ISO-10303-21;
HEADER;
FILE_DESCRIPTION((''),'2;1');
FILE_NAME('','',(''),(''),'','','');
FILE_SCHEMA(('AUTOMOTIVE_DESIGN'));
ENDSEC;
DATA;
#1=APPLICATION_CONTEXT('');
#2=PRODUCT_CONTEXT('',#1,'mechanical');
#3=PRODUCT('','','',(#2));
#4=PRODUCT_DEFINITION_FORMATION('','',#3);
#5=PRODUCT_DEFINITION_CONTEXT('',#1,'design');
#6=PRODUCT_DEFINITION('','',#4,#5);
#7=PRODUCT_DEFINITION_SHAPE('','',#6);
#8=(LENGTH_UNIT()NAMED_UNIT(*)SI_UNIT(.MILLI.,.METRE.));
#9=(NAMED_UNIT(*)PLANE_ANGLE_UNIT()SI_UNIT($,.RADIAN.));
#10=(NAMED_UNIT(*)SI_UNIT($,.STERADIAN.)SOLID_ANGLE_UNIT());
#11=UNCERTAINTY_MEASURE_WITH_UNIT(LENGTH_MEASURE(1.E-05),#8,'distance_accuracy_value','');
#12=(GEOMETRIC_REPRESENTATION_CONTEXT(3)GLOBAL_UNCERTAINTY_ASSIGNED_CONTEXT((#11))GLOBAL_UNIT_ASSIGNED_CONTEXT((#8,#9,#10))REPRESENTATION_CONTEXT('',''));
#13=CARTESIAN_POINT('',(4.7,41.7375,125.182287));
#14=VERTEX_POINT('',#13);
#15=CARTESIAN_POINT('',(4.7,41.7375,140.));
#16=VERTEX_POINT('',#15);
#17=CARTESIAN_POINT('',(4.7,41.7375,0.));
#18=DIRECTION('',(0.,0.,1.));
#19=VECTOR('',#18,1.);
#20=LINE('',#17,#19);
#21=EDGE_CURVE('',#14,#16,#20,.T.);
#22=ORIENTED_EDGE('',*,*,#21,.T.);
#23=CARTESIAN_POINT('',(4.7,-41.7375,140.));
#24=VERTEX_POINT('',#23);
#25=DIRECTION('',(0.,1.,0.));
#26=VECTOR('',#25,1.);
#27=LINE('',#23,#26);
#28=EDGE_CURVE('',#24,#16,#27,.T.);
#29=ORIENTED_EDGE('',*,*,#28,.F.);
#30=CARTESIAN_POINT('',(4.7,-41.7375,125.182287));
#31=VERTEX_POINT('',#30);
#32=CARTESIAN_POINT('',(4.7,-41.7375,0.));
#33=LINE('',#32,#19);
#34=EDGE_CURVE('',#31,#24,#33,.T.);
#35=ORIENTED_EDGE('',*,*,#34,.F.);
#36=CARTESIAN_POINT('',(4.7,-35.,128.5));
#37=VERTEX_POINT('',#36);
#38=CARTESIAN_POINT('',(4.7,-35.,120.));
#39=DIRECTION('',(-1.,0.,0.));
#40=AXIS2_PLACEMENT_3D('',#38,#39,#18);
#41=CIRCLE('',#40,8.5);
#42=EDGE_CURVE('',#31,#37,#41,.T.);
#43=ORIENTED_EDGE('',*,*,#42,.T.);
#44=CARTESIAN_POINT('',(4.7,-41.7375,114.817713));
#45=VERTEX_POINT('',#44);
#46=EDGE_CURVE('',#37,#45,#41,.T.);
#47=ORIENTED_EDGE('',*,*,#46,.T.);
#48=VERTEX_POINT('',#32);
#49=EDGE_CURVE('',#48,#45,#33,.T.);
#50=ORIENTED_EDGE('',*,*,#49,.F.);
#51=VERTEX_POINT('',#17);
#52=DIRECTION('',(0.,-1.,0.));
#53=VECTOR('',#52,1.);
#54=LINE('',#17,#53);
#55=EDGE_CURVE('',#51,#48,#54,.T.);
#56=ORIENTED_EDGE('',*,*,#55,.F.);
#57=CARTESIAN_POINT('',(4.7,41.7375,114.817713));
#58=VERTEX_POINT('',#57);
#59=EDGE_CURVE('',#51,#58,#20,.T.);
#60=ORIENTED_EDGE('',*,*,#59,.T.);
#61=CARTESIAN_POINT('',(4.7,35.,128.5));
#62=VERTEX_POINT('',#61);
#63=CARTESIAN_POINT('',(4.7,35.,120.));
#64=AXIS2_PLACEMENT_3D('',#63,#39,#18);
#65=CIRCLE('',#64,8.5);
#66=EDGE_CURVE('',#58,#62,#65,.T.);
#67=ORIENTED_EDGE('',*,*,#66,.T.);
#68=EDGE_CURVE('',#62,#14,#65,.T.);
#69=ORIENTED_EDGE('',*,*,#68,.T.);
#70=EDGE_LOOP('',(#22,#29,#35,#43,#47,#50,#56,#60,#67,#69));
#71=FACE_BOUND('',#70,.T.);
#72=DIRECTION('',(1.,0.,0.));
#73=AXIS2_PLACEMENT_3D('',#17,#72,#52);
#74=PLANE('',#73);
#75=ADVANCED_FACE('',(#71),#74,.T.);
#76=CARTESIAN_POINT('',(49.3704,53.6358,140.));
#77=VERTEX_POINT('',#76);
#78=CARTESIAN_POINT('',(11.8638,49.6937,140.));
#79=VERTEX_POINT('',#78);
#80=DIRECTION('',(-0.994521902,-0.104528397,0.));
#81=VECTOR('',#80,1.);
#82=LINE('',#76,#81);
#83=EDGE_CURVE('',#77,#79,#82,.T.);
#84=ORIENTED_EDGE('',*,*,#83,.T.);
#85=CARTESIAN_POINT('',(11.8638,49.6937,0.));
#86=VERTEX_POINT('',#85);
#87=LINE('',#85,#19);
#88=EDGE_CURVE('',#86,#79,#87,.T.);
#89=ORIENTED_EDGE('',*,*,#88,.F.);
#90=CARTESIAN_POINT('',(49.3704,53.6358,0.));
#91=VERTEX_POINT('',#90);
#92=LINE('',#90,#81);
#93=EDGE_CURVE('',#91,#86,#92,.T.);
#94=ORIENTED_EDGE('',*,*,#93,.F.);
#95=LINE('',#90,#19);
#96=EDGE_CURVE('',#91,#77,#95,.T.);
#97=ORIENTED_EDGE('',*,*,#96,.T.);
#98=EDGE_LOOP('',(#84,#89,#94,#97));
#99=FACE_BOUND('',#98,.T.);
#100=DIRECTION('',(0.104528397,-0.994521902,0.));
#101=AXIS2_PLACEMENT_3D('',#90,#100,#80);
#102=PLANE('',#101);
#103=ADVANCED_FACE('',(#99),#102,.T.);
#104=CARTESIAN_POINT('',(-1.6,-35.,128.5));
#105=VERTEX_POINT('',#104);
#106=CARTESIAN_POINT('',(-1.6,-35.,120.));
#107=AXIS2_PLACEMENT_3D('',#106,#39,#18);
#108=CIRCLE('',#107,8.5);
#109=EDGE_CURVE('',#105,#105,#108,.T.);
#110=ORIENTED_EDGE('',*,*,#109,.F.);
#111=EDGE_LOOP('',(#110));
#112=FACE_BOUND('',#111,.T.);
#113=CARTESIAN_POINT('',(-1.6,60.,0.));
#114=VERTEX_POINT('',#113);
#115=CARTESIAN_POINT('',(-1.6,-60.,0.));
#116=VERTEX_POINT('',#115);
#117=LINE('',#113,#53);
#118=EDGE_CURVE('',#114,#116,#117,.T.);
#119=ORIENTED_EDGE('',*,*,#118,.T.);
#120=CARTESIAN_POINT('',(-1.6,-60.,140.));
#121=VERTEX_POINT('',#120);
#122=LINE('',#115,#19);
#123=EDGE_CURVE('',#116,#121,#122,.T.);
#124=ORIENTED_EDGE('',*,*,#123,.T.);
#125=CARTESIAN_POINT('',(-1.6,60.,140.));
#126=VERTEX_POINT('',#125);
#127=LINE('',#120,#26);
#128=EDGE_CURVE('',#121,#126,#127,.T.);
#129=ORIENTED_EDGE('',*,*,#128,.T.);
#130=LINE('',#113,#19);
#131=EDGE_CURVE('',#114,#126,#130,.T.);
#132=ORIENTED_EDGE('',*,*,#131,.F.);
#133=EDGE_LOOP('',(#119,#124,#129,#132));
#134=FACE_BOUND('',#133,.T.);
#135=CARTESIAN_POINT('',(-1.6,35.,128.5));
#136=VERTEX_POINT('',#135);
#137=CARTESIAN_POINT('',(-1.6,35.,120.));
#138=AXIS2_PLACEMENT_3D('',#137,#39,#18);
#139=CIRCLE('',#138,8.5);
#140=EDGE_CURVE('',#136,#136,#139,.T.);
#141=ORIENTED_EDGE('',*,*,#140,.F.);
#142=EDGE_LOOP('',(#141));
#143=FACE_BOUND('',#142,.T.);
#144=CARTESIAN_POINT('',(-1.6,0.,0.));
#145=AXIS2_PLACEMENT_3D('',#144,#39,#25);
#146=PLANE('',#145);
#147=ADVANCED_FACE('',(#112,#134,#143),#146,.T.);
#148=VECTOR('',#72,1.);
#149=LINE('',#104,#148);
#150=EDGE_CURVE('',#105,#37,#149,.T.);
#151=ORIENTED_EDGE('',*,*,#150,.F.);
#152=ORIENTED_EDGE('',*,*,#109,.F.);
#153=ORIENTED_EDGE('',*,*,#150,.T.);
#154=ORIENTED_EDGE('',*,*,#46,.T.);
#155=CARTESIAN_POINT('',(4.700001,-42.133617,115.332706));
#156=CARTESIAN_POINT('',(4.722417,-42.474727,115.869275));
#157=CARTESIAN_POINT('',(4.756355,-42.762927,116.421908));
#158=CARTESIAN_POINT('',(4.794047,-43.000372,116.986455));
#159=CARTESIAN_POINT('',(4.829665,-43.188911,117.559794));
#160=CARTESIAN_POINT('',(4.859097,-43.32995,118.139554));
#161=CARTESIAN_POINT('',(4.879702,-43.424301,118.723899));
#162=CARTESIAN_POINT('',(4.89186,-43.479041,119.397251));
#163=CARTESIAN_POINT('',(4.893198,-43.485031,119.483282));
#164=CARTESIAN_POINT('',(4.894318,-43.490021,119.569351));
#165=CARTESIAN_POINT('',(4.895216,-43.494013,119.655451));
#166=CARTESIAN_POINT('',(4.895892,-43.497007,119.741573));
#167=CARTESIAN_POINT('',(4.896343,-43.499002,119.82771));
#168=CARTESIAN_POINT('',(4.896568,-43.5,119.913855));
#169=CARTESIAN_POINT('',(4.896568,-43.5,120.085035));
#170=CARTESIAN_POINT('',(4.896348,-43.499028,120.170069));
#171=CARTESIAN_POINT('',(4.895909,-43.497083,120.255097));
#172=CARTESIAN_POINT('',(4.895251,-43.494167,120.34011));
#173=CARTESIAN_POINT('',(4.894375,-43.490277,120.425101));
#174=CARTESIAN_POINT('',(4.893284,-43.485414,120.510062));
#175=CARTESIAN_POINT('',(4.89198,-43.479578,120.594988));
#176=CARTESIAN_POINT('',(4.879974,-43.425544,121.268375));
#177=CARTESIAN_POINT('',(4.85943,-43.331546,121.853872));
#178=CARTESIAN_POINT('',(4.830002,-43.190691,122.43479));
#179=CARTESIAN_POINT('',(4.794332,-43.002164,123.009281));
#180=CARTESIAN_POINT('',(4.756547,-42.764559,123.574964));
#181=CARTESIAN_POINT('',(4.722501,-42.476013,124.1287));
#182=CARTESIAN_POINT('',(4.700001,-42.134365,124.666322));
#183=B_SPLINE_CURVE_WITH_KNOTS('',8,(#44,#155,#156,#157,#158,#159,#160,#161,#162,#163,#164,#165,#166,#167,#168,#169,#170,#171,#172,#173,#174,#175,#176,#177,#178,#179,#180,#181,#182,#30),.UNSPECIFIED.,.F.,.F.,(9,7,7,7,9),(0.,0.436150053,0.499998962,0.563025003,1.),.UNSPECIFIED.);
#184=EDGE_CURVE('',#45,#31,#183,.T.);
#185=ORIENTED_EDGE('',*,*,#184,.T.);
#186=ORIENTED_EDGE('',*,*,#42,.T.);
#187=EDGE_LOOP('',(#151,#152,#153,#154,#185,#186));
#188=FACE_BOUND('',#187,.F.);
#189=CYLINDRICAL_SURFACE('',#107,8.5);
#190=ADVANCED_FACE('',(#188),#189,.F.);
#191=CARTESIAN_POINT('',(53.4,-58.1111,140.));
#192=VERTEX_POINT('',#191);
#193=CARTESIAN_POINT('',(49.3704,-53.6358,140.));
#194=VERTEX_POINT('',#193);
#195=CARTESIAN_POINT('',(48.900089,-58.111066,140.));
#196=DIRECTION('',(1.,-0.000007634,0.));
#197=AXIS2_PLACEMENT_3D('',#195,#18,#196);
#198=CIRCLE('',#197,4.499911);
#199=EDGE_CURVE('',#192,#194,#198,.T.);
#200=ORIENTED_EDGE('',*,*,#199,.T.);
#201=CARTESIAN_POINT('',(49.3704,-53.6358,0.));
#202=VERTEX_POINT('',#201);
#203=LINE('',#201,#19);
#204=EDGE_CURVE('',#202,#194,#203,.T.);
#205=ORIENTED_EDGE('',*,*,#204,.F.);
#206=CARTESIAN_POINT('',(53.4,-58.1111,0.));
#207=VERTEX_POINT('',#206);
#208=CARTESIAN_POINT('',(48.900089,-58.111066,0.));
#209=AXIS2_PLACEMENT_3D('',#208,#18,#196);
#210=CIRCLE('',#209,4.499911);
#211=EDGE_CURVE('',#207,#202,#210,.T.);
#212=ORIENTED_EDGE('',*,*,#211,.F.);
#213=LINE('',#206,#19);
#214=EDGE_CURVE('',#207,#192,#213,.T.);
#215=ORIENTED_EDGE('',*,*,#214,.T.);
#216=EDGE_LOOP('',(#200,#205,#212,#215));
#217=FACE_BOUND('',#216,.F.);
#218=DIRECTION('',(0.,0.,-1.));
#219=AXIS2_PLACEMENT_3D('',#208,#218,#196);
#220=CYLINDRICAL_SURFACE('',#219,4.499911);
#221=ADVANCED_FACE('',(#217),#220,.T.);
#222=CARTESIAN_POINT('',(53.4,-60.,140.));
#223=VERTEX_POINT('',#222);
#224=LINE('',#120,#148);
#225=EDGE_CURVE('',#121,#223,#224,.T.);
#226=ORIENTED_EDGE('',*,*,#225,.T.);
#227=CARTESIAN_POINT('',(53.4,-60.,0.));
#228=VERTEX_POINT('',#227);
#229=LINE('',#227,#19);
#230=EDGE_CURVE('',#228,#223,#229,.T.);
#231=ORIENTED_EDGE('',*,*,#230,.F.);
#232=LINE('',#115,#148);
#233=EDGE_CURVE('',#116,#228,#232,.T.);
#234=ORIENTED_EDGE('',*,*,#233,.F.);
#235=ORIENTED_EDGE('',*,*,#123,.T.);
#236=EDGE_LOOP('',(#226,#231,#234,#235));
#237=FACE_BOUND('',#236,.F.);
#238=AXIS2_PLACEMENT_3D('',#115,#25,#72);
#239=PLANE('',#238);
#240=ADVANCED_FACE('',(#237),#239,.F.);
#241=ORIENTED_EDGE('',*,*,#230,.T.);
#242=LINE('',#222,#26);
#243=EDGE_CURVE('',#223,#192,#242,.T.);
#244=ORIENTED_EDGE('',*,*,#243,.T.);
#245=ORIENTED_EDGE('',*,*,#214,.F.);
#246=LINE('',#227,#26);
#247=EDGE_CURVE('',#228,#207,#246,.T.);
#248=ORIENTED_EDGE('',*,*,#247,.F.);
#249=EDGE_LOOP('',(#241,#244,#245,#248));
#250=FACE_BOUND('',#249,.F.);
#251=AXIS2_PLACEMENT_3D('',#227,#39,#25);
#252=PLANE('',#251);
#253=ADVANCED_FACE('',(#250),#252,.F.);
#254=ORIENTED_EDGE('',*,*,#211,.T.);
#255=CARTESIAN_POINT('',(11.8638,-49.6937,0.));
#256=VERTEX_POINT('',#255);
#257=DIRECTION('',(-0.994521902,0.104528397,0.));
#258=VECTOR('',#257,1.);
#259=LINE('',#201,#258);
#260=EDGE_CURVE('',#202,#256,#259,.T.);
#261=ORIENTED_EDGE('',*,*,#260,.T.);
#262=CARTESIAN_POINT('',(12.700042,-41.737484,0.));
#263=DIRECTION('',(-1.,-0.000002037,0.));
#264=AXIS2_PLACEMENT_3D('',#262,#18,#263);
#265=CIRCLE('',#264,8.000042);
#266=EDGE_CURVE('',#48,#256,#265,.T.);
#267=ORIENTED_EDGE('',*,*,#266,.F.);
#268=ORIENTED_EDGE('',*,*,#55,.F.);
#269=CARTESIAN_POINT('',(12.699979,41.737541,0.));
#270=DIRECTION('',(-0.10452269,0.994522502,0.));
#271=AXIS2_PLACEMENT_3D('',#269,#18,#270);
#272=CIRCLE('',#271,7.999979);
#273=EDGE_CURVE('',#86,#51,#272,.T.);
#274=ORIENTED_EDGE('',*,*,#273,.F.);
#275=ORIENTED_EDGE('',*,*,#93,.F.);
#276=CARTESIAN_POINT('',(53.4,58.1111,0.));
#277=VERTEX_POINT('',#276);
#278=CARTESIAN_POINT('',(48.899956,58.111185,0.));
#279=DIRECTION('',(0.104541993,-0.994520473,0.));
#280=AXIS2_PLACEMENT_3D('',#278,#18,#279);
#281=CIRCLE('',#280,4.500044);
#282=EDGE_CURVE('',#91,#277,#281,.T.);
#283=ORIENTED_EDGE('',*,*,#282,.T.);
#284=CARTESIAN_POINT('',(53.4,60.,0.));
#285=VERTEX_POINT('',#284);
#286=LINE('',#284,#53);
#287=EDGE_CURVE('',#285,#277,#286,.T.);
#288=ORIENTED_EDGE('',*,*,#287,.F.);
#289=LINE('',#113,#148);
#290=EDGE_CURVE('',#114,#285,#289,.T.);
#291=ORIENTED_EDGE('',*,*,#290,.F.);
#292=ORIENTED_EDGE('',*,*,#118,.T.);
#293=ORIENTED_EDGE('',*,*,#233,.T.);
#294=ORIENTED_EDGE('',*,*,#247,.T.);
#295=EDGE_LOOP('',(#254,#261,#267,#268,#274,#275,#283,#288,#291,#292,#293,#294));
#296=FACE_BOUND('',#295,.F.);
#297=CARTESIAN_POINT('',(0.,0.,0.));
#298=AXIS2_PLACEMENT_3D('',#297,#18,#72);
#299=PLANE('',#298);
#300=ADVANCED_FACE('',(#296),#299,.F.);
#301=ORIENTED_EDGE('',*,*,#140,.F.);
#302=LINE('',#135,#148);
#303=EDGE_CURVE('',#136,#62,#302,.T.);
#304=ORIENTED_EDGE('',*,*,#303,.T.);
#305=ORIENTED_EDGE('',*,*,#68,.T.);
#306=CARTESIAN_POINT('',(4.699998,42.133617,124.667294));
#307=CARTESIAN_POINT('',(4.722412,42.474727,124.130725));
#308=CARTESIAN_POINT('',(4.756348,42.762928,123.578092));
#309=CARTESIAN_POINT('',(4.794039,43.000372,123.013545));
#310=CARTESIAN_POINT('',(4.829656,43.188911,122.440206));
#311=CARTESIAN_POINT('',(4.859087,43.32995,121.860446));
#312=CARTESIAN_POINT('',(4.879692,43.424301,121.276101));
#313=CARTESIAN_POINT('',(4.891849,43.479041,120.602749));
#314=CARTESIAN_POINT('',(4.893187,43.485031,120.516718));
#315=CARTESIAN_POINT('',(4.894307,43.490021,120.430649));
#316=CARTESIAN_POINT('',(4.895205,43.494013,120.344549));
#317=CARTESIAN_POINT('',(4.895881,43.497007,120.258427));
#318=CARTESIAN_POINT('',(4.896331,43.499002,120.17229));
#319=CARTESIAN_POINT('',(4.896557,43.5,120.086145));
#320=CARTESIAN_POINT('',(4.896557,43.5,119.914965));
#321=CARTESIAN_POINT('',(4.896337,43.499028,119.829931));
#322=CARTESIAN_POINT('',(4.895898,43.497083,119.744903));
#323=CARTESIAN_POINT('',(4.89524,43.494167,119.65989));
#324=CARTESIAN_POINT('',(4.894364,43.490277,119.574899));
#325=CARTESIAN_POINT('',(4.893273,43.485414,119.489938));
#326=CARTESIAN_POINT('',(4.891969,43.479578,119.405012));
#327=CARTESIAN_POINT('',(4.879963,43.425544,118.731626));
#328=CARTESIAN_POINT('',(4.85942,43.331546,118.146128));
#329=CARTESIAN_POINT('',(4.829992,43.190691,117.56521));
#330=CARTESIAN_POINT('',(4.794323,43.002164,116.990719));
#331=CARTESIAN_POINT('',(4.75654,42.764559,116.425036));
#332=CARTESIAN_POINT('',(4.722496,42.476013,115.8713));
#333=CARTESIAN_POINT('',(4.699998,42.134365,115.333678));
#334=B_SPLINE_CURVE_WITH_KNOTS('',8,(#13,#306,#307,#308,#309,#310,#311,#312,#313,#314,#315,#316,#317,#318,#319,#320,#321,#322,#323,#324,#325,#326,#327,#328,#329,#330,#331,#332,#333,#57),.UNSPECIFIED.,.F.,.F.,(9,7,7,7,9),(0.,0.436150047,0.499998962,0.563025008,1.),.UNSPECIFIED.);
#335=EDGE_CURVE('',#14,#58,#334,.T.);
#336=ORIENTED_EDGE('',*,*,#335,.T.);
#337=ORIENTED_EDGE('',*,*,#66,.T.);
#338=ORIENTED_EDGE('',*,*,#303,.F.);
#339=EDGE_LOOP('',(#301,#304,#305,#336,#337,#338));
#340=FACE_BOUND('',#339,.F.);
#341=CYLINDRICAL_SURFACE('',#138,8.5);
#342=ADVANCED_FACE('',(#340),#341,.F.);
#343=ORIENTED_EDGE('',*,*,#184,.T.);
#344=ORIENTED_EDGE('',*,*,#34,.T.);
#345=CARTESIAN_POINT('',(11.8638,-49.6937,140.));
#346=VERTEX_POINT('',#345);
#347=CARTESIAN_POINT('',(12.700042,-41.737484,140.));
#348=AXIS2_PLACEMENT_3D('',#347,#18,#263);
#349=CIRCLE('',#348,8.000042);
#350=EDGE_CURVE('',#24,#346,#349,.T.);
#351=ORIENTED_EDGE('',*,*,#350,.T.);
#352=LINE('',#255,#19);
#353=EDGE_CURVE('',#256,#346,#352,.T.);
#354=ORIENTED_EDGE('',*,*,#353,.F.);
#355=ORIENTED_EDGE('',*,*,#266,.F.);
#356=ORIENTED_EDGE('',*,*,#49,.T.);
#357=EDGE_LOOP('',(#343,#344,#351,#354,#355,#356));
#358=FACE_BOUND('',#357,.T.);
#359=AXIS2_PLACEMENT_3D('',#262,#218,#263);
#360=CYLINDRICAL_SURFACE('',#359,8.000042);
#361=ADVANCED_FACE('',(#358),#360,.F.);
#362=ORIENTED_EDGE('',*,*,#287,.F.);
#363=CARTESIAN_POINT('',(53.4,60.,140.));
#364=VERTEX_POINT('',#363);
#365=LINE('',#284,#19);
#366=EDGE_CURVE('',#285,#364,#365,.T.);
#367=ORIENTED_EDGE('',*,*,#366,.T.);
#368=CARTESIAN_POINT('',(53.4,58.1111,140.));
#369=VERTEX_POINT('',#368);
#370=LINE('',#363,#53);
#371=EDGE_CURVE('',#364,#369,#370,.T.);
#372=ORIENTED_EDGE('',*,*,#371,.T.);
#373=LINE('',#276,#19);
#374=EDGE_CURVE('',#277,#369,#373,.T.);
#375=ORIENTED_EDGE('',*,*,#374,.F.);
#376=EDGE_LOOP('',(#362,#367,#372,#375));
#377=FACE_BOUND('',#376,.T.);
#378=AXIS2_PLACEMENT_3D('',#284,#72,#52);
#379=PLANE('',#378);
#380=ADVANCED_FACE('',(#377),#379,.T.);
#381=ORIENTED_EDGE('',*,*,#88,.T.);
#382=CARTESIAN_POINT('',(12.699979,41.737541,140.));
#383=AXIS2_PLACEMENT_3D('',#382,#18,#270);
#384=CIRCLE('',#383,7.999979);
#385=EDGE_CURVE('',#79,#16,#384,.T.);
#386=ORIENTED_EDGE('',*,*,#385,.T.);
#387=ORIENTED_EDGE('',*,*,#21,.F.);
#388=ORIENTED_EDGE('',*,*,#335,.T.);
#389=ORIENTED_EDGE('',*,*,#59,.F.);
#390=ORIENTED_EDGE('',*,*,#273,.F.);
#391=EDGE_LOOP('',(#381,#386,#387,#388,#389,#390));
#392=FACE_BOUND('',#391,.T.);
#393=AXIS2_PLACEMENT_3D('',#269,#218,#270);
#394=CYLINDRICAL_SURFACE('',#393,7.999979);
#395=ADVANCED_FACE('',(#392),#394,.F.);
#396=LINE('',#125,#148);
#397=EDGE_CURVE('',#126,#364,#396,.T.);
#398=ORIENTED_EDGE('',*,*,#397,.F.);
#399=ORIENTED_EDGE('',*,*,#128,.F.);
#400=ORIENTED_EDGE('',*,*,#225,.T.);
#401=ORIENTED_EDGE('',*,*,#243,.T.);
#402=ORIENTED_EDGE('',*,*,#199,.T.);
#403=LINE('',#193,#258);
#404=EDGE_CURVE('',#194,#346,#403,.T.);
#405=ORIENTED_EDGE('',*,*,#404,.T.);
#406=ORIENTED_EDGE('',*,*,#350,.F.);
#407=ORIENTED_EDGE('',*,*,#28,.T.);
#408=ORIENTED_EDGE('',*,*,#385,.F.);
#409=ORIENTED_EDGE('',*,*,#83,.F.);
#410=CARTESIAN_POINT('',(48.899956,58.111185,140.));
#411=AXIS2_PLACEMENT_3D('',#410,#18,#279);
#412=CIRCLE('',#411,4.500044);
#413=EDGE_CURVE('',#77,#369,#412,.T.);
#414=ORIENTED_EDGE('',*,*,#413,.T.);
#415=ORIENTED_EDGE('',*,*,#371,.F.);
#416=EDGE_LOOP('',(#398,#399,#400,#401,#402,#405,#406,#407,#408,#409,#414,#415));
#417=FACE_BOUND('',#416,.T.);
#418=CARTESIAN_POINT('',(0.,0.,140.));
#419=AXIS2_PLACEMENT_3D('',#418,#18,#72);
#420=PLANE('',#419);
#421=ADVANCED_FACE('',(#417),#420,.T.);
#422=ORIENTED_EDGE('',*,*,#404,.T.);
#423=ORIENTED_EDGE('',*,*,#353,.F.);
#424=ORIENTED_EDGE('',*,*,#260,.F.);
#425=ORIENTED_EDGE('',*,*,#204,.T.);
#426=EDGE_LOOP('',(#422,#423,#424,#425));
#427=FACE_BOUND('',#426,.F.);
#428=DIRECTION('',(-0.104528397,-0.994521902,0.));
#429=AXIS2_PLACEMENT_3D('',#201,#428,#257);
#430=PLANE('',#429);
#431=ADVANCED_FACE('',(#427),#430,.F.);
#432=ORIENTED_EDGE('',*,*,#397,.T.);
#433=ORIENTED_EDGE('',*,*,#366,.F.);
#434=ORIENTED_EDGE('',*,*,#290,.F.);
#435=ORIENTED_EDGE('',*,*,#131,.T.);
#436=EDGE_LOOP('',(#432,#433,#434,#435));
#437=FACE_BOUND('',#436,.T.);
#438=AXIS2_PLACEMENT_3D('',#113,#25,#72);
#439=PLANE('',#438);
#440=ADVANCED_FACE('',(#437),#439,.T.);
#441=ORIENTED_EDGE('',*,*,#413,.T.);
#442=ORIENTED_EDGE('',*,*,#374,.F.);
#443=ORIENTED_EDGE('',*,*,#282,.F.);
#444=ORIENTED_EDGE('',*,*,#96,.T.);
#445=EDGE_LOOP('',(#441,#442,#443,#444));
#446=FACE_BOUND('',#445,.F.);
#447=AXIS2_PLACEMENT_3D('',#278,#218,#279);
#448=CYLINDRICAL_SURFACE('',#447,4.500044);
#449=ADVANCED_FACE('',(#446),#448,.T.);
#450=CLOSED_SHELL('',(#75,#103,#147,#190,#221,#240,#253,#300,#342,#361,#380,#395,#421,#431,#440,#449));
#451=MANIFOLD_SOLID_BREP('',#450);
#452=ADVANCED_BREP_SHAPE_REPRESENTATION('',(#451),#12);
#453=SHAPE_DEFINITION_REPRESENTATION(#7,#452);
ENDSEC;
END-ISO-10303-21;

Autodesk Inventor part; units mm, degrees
ref_plane "YZ Plane" through (0, 0, 0) normal (1, 0, 0) x (0, 1, 0)
ref_plane "Start plane" through (0, 0, 0) normal (0, 0, 1) x (1, 0, 0)
ref_plane "End plane" through (0, 0, 140) normal (0, 0, 1) x (1, 0, 0)
sketch "Sketch" plane through (0, 0, 0) normal (0, 0, 1) x (1, 0, 0)
  line L0 (-1.6, 0) -> (-1.6, 60)
  line L1 (-1.6, 60) -> (53.4, 60)
  line L2 (53.4, 60) -> (53.4, 58.1111)
  line L3 (49.3704, 53.6358) -> (11.8638, 49.6937)
  line L4 (4.7, 41.7375) -> (4.7, 0)
  line L5 (4.7, 0) -> (-1.6, 0) construction
  line L6 (29.05, 60) -> (29.05, 51.5) construction
  line L7 (53.4, 54.0593) -> (53.4, 51.5) construction
  line L8 (53.4, 51.5) -> (29.05, 51.5) construction
  line L9 (0, 15) -> (0, -27) construction
  line L10 (-5.539, 0) -> (16.0067, 0) construction
  line L11 (-1.6, 0) -> (-1.6, -60)
  line L12 (-1.6, -60) -> (53.4, -60)
  line L13 (53.4, -60) -> (53.4, -58.1111)
  line L14 (49.3704, -53.6358) -> (11.8638, -49.6937)
  line L15 (4.7, -41.7375) -> (4.7, 0)
  arc A0 (11.8638, 49.6937) -> (4.7, 41.7375) centre (12.7, 41.7375) ccw
  arc A1 (4.7, -41.7375) -> (11.8638, -49.6937) centre (12.7, -41.7375) ccw
  arc A2 (49.3704, 53.6358) -> (53.4, 58.1111) centre (48.9, 58.1111) ccw
  arc A3 (53.4, -58.1111) -> (49.3704, -53.6358) centre (48.9, -58.1111) ccw
  line L16 (0, 23.4) -> (0, -35.4) construction
  line L17 (-9.8481, 0) -> (20.3158, 0) construction
  point P0 (4.7, 48.9407)
  point P1 (53.4, -54.0593)
  point P2 (4.7, -48.9407)
  point P3 (29.05, -60)
  point P4 (29.05, -51.5)
  dimension "d0" = 6.3
  dimension "d1" = 60
  dimension "d2" = 55
  dimension "d3" = 8.5
  dimension "d4" = 24.35
  dimension "d5" = 2.5593
  dimension "d23" = 8
  dimension "d24" = 4.5
  dimension "d25" = 1.6
extrude "Body" add sketch "Sketch" along normal up to surface (140 mm away) from surface at 0
sketch "Sketch3" plane through (0, 0, 0) normal (0, 0, 1) x (1, 0, 0)
  line L0 (0, 0) -> (10, 0)
ref_plane "Work Plane3" through (0, 0, 0) normal (0, -1, 0) x (1, 0, 0)
sketch "Sketch5" plane through (-1.6, 60, 0) normal (-1, 0, 0) x (0, 0, 1)
  circle A0 centre (120, -25) radius 8.5
  circle A1 centre (120, -95) radius 8.5
  line L0 (140, -120) -> (140, 0) projected
  line L1 (140, -60) -> (0, -60)
  dimension "d30" = 17
  dimension "d31" = 20
  dimension "d32" = 70
extrude "Extrusion2" cut sketch "Sketch5" against normal through all
sketch "Sketch4" plane through (0, 0, 0) normal (0, -1, 0) x (1, 0, 0)
  line L0 (-2, 0) -> (12, 0) projected
  line L1 (-2, 140) -> (12, 140) projected
  dimension "d29" = 140
equation "\"d0\" = G_T"
equation "\"d1\" = 0.5 * G_H"
equation "\"d2\" = G_W"
equation "\"d3\" = G_T1"
equation "\"d4\" = G_C"
equation "\"d23\" = G_IR"
equation "\"d24\" = G_ER"
equation "\"d25\" = ex"
equation "\"d6\" = G_L"
equation "\"G_W\" = 55"
equation "\"G_T\" = 6.3"
equation "\"G_T1\" = 8.5"
equation "\"G_NG\" = 0.105104"
equation "\"G_ER\" = 4.5"
equation "\"G_IR\" = 8"
equation "\"G_C\" = 24.35"
equation "\"G_L\" = d29"
equation "\"ex\" = 1.6"
equation "\"G_OFFSET_START\" = 0"
equation "\"G_OFFSET_END\" = 0"
equation "\"G_H\" = 120"
properties part number "ISO 657/11 - CH 120 x 12 - 140" material "Steel, Mild"
